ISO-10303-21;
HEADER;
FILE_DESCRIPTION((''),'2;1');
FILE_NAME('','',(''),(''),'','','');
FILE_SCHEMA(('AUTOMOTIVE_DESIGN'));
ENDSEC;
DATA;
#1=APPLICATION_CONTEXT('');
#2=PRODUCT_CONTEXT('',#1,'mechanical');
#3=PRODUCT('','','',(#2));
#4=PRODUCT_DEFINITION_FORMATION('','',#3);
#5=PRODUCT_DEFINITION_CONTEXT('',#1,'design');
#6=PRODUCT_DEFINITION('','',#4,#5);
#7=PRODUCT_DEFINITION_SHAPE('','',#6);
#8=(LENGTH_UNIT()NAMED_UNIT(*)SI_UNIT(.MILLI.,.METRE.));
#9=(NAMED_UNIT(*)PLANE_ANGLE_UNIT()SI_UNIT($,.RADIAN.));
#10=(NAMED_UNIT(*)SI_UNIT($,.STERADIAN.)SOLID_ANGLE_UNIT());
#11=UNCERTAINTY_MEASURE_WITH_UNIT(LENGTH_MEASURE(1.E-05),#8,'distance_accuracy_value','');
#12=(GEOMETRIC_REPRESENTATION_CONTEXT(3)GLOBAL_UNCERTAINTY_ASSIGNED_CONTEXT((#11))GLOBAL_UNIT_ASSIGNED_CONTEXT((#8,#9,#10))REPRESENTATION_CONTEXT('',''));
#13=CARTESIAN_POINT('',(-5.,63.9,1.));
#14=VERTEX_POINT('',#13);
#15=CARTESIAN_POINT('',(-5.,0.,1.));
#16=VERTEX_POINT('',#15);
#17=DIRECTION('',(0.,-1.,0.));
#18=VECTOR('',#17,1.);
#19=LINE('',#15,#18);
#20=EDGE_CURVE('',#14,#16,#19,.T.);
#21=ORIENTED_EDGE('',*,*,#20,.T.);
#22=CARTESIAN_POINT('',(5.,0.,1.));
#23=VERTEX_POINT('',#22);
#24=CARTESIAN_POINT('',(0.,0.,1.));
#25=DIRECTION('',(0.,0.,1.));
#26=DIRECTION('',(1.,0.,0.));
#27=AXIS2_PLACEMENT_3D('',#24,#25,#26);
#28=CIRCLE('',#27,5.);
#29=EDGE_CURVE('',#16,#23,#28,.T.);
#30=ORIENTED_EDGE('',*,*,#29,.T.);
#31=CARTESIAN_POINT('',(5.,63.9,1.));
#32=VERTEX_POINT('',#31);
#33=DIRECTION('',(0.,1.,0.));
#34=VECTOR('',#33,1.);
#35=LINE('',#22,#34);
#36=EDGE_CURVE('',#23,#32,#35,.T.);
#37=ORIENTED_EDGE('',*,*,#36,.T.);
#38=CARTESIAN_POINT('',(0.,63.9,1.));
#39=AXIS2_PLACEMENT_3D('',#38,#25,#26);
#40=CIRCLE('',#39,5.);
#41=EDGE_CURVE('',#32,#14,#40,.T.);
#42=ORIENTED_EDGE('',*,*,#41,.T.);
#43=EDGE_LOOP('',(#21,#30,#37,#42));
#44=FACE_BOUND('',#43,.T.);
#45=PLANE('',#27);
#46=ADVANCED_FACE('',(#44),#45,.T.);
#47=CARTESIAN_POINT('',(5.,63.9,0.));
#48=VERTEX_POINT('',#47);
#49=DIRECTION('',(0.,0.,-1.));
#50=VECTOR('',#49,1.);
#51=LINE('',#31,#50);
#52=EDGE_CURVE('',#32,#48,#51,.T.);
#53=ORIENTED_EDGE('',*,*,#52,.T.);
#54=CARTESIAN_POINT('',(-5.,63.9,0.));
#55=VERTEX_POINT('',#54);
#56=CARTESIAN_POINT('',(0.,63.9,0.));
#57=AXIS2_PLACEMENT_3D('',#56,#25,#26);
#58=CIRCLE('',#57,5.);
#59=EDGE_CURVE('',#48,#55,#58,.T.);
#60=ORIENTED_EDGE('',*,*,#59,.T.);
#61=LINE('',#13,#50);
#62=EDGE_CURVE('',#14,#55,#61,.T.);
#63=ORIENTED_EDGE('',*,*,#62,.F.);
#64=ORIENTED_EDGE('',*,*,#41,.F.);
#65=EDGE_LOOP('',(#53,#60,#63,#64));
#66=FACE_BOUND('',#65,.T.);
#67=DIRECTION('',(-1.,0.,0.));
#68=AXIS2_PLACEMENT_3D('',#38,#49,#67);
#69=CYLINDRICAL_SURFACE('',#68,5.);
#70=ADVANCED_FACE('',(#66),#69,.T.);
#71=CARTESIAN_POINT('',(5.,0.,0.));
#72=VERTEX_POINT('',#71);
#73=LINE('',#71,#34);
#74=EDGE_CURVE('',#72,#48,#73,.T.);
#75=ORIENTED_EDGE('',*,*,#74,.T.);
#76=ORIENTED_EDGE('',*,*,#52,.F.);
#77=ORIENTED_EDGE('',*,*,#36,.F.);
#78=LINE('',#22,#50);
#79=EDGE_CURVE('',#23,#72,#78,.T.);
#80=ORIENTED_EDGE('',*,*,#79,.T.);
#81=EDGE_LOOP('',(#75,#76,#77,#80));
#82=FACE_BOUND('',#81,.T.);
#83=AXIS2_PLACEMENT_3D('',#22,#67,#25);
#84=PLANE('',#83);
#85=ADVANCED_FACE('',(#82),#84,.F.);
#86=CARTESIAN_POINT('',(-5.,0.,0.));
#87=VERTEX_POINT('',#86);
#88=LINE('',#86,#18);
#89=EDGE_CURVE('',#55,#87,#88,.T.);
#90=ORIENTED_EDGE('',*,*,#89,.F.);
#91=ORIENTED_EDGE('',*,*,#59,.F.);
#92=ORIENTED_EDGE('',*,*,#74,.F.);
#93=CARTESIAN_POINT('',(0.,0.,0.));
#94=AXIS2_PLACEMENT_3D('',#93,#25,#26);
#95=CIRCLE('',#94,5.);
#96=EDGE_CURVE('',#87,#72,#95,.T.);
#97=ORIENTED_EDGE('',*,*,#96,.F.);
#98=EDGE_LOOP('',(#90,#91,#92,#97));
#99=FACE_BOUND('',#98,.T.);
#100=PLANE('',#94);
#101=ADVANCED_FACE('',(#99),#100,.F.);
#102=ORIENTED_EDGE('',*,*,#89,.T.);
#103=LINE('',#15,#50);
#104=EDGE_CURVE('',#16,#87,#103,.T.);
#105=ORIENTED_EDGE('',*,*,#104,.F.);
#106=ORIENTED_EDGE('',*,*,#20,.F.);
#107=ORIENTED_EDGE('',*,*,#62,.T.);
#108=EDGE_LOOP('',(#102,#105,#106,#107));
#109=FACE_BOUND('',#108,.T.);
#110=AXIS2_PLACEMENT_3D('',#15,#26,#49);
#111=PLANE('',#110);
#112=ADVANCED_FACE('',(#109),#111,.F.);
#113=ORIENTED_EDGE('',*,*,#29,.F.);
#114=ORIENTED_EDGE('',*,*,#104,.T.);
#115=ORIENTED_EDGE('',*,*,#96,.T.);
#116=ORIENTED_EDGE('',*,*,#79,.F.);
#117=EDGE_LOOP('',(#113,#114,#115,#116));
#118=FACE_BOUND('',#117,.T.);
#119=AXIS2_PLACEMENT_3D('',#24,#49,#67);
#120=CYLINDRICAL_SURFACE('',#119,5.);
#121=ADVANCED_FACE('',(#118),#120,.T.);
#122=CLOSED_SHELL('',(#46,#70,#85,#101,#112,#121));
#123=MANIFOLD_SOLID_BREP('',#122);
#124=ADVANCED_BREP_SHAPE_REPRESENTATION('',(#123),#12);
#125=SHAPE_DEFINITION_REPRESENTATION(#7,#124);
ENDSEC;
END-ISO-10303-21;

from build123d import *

# Parameters (mm, degrees)
BOSS_EXTRUDE1_DEPTH = 1


with BuildPart() as part:
    # Sketch1 → Boss-Extrude1 (new body)
    with BuildSketch(Plane.XY):
        with BuildLine():
            Line((-5, 0), (-5, 63.9))
            ThreePointArc((-5, 63.9), (0, 68.9), (5, 63.9))
            Line((5, 63.9), (5, 0))
            ThreePointArc((5, 0), (0, -5), (-5, 0))
        make_face()
    extrude(amount=BOSS_EXTRUDE1_DEPTH)


solid = part.part
